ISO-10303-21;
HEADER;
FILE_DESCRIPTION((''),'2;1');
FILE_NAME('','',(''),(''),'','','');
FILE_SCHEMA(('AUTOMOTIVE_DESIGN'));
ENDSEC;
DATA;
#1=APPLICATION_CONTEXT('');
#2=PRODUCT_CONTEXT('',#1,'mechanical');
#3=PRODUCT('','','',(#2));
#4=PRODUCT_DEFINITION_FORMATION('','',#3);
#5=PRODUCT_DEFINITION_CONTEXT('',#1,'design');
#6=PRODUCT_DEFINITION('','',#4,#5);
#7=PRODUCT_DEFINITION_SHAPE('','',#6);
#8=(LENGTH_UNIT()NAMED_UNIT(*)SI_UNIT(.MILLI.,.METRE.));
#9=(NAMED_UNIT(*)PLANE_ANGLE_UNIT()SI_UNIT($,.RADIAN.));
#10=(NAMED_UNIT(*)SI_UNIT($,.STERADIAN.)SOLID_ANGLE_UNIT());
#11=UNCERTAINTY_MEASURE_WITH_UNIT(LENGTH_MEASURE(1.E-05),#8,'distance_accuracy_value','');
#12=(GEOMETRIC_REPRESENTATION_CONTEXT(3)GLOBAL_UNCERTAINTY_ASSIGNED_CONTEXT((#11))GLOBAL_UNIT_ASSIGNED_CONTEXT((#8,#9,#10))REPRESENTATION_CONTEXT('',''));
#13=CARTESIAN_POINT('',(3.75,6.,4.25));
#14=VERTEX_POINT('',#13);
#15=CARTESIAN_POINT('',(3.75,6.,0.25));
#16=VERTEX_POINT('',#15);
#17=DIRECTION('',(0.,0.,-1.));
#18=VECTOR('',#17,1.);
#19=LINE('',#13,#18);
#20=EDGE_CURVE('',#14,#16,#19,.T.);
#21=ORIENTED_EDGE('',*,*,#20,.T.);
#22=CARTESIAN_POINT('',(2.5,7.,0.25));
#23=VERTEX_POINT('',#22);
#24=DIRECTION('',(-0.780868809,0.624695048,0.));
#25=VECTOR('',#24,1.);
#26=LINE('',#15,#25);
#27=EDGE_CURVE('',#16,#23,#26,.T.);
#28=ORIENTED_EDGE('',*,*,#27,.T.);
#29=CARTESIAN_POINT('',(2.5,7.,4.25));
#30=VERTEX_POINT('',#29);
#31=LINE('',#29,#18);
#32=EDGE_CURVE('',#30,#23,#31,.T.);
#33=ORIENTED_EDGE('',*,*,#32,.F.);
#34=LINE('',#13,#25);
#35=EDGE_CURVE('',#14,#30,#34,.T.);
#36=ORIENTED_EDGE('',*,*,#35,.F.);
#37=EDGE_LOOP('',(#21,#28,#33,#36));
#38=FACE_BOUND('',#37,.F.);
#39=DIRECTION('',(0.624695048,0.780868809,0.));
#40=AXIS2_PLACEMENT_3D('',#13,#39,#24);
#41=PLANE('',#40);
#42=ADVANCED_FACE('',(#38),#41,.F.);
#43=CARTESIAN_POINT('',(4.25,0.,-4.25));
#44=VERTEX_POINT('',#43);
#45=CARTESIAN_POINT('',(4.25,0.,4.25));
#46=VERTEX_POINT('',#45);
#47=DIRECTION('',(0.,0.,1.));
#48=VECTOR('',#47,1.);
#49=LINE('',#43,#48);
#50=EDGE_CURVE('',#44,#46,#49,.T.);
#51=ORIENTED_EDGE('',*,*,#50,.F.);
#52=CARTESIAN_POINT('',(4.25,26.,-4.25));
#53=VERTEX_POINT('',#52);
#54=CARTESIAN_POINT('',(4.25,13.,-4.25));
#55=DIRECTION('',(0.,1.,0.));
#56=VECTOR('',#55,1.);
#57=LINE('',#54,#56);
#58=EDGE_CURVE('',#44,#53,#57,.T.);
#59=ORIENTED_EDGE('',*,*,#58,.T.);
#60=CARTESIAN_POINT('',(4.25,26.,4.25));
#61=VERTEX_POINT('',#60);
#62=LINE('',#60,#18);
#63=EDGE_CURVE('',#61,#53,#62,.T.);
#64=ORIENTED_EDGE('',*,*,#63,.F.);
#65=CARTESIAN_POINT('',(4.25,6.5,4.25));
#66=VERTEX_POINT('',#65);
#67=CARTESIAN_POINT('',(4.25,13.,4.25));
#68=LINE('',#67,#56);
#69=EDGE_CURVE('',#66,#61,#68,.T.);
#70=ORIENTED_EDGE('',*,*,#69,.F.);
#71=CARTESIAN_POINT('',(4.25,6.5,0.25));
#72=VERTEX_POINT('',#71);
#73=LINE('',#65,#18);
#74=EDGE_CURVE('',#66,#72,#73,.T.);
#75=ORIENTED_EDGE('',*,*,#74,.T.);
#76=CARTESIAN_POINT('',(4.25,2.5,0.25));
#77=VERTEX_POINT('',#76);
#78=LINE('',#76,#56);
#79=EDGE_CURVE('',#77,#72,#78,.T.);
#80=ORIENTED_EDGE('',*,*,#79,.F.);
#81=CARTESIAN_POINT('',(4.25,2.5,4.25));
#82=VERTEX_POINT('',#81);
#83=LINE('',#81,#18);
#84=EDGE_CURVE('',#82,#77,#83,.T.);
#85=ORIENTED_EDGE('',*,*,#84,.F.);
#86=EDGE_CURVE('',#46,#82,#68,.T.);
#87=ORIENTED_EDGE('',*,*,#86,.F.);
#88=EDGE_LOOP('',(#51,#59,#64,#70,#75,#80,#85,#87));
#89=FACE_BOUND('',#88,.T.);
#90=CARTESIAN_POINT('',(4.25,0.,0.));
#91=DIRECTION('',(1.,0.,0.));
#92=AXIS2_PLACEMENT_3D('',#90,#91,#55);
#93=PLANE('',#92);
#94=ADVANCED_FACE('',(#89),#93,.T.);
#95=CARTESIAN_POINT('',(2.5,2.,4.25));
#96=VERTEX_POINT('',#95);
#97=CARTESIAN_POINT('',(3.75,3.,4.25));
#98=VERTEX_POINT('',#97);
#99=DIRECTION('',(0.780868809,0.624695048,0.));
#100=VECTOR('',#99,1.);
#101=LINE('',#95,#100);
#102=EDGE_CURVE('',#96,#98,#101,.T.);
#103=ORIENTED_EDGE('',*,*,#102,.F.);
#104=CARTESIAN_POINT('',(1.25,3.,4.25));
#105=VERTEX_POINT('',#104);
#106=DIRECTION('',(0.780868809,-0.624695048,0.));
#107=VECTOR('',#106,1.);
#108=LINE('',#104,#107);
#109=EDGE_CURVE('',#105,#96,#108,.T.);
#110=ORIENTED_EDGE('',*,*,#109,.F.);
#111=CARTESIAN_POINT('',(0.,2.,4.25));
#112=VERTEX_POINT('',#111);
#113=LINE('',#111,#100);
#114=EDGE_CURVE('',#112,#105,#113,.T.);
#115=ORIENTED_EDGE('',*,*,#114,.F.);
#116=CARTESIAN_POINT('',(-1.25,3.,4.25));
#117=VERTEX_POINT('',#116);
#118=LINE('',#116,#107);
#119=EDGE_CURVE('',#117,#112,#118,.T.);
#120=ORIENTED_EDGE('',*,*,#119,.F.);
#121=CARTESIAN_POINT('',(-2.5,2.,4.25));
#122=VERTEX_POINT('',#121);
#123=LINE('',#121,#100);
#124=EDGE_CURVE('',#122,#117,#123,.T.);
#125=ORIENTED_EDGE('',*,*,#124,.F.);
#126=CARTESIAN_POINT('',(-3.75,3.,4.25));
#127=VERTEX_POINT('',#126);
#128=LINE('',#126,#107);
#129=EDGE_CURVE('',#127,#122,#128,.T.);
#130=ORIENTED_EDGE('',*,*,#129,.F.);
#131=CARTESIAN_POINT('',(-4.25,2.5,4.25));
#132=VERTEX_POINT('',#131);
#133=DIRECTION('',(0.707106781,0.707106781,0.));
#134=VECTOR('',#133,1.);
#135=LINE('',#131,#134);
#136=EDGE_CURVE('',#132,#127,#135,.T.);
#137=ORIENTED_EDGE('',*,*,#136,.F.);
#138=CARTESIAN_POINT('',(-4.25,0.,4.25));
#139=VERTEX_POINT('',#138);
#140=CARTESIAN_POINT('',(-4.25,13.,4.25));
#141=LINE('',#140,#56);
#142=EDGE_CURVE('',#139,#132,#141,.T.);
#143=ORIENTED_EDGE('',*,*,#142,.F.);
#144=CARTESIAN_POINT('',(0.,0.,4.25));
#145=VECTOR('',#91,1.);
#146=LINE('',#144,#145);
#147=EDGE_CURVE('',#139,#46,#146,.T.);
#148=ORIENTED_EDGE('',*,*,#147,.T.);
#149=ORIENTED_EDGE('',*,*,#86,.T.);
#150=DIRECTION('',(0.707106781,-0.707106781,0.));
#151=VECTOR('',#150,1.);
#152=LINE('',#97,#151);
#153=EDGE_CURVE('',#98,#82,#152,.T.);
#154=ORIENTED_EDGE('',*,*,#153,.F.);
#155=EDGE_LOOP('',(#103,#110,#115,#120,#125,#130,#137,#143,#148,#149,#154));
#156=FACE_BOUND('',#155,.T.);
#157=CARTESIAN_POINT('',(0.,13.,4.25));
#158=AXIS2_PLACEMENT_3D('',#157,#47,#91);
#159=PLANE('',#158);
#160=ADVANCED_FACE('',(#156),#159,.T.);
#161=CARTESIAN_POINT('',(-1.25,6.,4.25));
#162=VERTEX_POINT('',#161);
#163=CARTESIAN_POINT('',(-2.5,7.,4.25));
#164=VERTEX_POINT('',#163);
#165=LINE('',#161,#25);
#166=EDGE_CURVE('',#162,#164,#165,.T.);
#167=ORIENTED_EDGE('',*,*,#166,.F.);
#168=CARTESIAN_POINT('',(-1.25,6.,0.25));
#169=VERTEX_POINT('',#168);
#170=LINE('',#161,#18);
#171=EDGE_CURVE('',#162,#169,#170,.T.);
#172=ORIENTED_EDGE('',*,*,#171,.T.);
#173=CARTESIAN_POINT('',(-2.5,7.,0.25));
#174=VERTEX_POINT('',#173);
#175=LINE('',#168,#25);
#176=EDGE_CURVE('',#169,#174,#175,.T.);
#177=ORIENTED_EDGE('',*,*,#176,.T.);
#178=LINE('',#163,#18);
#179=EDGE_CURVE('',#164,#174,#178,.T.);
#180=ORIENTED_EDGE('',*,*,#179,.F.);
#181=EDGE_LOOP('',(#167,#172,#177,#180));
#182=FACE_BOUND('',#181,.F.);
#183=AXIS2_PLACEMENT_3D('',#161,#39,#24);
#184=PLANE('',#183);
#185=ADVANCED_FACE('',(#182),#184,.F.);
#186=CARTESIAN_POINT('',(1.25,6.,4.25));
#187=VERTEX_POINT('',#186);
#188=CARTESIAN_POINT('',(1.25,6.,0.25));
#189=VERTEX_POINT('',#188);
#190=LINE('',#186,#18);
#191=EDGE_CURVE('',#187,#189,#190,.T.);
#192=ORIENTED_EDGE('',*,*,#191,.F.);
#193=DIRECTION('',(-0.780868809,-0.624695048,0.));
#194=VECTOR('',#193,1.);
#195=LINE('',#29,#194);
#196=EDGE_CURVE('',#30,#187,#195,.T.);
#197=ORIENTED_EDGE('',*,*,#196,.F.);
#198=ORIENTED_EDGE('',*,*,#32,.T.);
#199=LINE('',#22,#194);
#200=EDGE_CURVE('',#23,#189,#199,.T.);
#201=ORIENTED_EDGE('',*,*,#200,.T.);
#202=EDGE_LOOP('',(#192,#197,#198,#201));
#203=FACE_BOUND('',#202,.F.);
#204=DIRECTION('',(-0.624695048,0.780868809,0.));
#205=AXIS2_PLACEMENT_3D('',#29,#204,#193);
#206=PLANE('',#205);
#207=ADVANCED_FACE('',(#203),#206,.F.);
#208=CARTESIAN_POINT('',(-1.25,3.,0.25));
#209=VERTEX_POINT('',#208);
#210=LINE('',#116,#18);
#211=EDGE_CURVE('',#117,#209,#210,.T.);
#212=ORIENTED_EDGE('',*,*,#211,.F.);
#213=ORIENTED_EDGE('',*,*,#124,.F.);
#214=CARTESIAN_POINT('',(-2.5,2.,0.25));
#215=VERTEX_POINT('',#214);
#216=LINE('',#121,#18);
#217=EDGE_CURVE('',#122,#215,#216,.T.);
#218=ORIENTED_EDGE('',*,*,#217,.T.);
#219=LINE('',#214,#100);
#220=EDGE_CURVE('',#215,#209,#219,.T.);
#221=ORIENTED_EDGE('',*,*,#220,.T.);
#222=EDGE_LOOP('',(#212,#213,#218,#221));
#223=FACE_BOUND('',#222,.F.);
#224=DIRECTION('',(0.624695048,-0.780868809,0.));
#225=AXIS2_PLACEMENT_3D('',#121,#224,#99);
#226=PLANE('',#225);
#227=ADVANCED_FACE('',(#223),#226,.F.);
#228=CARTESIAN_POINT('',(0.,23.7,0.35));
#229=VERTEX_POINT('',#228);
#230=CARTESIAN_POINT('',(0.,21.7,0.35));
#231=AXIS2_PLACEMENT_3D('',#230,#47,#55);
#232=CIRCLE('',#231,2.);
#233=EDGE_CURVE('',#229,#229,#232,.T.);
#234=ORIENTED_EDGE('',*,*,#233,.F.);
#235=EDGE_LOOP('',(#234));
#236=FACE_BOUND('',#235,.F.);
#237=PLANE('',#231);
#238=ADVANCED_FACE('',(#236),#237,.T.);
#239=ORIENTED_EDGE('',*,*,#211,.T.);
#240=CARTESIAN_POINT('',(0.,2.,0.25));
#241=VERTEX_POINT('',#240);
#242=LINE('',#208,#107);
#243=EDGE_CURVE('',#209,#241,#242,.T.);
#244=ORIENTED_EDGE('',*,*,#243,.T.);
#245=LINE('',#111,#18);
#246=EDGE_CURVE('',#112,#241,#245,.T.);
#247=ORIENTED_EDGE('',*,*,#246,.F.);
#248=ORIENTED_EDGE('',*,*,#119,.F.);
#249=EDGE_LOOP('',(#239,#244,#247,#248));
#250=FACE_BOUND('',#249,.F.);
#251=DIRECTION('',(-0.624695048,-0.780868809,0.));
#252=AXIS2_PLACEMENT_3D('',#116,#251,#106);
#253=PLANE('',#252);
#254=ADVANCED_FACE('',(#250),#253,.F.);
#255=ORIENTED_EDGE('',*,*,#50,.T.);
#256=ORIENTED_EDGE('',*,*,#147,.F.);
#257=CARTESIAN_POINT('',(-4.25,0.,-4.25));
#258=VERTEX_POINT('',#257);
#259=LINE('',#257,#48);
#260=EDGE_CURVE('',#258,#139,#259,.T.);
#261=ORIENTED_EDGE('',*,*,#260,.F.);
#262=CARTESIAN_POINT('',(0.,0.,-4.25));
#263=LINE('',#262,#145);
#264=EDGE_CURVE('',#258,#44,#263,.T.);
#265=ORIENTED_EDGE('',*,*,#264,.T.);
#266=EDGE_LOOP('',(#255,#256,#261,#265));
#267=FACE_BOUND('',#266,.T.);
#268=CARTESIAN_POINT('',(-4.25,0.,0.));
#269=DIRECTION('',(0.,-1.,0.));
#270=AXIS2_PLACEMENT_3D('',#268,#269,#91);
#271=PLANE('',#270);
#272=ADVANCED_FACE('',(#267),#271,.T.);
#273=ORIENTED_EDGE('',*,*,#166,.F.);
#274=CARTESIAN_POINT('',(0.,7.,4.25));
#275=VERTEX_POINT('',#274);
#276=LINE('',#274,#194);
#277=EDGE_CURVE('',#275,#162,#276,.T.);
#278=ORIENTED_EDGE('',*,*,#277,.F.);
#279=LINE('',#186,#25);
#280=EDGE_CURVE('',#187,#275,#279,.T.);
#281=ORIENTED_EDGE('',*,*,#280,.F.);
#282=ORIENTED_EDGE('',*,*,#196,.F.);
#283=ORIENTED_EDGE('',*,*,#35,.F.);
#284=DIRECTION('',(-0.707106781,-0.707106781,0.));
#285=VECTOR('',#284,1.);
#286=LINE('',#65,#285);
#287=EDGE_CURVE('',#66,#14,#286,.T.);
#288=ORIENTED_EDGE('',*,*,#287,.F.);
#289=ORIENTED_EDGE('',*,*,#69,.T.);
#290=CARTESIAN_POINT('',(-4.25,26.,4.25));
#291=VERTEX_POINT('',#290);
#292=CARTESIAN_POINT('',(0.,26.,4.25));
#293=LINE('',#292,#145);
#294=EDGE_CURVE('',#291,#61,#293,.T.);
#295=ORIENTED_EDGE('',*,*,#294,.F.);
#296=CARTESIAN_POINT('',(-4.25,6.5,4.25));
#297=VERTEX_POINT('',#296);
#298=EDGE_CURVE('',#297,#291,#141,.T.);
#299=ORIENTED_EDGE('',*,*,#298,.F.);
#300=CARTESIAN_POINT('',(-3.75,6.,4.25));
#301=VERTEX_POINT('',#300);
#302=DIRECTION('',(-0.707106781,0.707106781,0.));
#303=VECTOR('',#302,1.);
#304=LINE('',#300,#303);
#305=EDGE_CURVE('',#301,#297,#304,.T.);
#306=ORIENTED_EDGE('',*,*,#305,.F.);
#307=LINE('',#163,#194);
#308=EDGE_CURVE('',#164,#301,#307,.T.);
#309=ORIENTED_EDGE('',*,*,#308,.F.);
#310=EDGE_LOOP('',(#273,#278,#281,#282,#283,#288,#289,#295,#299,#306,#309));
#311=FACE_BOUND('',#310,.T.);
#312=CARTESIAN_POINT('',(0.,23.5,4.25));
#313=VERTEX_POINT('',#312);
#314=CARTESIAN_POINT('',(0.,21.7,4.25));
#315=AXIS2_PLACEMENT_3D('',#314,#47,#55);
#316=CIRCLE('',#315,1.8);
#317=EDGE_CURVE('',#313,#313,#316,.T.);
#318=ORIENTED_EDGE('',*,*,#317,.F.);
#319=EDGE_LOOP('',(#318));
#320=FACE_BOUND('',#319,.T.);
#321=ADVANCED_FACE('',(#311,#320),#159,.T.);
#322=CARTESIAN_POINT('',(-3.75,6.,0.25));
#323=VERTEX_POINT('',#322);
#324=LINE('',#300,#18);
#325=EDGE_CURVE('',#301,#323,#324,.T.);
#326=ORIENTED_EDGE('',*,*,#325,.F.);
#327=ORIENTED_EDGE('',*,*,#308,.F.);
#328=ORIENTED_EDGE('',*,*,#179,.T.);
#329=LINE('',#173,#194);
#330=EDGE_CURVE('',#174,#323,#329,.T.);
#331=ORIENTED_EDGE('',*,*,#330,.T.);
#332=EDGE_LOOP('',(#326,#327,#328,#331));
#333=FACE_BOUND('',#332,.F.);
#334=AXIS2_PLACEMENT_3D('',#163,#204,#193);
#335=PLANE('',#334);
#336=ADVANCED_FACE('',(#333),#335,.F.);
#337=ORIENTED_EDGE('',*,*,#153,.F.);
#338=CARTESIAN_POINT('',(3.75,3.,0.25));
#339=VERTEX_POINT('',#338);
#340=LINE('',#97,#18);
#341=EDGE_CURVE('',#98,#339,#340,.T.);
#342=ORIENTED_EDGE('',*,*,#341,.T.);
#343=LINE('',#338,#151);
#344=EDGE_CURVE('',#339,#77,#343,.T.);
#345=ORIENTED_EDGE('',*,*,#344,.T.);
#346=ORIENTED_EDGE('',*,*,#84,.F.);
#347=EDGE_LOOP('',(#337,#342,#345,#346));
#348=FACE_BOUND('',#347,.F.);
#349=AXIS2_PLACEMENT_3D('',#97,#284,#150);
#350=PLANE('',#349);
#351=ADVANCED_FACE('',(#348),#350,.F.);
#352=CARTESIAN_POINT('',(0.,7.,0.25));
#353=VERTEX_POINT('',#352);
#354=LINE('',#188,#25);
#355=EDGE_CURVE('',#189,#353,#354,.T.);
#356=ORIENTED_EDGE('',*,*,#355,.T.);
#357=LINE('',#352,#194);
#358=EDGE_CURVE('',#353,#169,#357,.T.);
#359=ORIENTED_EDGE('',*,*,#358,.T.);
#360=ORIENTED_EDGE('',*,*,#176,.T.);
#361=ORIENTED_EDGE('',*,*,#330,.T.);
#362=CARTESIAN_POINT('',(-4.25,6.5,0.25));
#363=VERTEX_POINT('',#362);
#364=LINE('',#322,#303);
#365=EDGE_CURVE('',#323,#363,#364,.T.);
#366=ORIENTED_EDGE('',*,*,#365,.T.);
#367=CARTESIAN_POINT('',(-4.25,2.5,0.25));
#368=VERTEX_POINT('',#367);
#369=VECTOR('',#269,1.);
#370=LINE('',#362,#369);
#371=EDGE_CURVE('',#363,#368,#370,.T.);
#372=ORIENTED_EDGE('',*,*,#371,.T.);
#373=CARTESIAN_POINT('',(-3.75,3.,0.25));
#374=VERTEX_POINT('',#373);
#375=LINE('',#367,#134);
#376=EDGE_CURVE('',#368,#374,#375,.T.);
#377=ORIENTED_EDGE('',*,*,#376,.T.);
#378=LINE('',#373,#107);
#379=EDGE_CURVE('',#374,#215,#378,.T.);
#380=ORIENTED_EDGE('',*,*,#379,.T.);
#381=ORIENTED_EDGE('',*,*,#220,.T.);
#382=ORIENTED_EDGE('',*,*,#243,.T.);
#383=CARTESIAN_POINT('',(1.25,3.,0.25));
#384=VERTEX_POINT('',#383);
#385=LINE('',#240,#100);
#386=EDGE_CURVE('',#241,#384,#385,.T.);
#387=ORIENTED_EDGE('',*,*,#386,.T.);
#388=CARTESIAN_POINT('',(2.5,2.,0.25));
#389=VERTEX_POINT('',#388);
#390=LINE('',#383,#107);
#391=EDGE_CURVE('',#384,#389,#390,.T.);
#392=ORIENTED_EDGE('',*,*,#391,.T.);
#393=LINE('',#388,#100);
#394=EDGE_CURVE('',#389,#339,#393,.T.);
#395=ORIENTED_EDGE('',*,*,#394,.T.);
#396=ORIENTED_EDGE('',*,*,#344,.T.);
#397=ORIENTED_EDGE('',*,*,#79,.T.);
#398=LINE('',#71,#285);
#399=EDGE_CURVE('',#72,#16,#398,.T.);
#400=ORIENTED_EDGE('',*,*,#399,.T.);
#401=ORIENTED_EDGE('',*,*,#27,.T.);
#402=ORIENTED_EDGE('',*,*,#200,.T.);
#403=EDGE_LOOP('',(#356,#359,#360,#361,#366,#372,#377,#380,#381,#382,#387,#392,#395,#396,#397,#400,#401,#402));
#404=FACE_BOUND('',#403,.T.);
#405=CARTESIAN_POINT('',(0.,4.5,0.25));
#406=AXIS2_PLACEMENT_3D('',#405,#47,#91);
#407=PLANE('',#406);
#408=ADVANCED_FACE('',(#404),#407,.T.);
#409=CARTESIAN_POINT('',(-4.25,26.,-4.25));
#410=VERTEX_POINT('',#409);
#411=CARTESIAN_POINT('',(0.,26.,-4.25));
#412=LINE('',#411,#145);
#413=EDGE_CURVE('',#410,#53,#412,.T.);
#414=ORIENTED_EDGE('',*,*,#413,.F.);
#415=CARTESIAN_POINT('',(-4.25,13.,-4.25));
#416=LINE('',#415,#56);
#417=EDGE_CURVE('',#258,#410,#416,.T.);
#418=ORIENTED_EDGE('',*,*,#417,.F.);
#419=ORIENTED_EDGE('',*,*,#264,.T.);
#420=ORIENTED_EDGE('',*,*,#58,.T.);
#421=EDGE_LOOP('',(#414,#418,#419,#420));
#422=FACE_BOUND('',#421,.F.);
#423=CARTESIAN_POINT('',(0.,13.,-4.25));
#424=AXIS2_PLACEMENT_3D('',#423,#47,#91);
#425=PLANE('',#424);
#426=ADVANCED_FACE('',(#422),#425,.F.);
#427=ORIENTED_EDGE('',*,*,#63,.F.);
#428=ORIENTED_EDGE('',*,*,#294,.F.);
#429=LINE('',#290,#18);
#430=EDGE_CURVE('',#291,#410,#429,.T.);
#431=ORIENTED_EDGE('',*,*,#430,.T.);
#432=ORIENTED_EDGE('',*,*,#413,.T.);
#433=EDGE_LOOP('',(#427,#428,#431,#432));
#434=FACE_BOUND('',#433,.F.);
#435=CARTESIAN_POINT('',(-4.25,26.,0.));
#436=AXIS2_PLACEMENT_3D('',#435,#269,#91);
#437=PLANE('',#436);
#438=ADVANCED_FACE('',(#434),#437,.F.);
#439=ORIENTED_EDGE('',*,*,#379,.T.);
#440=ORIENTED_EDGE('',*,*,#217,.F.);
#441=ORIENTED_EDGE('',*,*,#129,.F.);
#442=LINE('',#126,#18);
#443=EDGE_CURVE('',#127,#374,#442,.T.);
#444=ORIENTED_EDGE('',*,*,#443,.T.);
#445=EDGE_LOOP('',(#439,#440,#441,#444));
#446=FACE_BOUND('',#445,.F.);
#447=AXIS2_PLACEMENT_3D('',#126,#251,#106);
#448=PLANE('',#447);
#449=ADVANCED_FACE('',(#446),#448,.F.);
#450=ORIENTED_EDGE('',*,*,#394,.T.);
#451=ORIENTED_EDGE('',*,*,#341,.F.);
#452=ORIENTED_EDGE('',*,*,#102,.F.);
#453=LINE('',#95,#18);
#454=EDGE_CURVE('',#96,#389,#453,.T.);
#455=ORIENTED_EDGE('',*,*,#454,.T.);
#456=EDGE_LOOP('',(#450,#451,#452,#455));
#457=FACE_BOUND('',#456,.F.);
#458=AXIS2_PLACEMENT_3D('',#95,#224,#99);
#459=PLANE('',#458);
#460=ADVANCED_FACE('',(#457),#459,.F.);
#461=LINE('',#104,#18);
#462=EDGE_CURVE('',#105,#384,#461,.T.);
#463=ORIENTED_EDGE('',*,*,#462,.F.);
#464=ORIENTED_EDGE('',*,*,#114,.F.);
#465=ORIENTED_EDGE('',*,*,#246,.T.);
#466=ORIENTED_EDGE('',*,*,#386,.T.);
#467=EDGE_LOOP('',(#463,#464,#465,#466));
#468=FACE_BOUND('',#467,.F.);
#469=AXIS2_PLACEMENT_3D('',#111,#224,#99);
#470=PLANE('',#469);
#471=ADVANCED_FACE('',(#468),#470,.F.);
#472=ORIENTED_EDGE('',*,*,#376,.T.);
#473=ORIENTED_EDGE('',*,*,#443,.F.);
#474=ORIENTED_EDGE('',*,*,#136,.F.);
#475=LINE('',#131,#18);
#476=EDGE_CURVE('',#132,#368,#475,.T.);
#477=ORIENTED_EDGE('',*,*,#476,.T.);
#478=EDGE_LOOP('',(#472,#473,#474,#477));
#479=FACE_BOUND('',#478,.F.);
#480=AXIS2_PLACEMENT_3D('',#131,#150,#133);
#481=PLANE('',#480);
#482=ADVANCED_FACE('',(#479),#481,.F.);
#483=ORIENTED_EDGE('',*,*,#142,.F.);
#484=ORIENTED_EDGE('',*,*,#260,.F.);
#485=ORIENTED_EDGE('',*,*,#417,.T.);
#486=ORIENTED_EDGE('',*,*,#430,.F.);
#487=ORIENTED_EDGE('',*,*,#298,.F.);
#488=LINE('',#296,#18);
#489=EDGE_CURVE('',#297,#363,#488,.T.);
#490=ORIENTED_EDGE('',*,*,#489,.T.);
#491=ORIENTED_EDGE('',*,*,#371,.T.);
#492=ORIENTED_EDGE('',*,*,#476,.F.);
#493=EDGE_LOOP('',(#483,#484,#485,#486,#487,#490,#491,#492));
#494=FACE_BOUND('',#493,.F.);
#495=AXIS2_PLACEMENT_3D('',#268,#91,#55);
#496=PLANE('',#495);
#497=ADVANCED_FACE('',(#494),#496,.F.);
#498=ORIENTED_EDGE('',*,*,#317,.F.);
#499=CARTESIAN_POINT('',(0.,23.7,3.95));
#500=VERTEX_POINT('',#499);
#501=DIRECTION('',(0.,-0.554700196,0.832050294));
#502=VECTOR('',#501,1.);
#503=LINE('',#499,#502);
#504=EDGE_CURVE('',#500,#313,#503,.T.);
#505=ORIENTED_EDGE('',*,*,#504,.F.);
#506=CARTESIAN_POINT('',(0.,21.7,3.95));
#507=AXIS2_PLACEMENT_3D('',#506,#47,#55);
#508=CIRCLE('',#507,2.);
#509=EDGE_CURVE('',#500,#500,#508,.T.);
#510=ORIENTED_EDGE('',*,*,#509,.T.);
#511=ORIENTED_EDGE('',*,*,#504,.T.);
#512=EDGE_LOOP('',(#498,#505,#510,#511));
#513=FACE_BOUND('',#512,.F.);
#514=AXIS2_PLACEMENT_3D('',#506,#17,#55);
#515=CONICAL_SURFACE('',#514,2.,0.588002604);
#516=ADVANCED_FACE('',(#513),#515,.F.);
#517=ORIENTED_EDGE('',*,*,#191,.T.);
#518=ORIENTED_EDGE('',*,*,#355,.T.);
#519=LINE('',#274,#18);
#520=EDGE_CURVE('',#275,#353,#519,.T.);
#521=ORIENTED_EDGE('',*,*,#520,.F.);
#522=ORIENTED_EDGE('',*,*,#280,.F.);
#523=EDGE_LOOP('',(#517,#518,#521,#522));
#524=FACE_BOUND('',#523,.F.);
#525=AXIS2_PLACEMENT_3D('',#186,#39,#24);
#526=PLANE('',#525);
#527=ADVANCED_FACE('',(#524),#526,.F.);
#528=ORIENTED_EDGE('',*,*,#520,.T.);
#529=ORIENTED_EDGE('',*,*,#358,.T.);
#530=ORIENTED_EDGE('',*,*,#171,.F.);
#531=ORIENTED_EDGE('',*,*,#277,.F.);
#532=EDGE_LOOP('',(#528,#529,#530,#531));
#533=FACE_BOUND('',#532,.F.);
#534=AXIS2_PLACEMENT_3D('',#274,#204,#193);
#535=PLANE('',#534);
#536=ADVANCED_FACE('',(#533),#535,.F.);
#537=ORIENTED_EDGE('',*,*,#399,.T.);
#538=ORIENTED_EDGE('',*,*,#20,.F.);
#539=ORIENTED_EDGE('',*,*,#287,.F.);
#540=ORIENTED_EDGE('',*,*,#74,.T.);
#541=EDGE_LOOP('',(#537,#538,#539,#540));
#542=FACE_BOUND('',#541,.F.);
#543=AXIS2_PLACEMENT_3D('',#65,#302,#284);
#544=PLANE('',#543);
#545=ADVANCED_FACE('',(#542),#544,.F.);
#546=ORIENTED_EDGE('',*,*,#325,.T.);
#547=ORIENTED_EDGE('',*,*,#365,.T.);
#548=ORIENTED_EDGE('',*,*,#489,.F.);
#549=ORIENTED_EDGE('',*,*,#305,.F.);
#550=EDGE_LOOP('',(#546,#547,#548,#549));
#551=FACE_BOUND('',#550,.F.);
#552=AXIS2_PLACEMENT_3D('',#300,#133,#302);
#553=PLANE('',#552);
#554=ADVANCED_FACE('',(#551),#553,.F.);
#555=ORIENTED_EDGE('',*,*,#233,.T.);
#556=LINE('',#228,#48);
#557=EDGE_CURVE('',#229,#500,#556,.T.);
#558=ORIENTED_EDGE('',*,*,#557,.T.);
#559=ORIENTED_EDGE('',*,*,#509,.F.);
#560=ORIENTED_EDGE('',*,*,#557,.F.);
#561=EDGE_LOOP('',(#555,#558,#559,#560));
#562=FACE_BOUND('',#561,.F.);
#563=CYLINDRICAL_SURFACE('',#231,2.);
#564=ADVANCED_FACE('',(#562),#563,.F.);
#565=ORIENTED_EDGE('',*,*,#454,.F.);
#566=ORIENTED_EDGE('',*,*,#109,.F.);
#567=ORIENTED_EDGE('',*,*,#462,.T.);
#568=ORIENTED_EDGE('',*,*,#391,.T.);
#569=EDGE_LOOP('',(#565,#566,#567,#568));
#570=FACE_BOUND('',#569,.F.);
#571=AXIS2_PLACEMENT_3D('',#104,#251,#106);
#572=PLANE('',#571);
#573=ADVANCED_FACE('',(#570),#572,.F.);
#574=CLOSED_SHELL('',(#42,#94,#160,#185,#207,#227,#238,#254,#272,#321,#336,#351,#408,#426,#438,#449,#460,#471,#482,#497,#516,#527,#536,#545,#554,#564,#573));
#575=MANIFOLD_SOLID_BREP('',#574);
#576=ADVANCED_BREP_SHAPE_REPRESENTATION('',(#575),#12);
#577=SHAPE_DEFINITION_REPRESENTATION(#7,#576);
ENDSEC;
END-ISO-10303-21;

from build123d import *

# Parameters (mm, degrees)
F0_W     = 8.5
F0_H     = 26
F1_DEPTH = 4.25
F5_DEPTH = 4


with BuildPart() as f1:
    # F0 (on Top) → F1 (new body, symmetric)
    with BuildSketch(Plane.XY):
        with Locations((0, 13)):
            Rectangle(F0_W, F0_H)
    extrude(amount=F1_DEPTH, both=True)

    # F2 (on Right) → F3 (revolve, cut)
    with BuildSketch(Plane.YZ):
        Polygon((23.7, 3.95), (23.5, 4.25), (21.7, 4.25), (21.7, 0.35), (23.7, 0.35), align=None)
    revolve(axis=Axis((0, 21.7, 2.3), (0, 0, 1)), mode=Mode.SUBTRACT)

    # F4 (on face) → F5 (cut)
    with BuildSketch(Plane.XY.offset(4.25)):
        Polygon((-3.75, 6), (-4.25, 6.5), (-4.25, 2.5), (-3.75, 3), (-2.5, 2), (-1.25, 3), (0, 2), (1.25, 3), (2.5, 2), (3.75, 3), (4.25, 2.5), (4.25, 6.5), (3.75, 6), (2.5, 7), (1.25, 6), (0, 7), (-1.25, 6), (-2.5, 7), align=None)
    extrude(amount=-F5_DEPTH, mode=Mode.SUBTRACT)


solid = f1.part
